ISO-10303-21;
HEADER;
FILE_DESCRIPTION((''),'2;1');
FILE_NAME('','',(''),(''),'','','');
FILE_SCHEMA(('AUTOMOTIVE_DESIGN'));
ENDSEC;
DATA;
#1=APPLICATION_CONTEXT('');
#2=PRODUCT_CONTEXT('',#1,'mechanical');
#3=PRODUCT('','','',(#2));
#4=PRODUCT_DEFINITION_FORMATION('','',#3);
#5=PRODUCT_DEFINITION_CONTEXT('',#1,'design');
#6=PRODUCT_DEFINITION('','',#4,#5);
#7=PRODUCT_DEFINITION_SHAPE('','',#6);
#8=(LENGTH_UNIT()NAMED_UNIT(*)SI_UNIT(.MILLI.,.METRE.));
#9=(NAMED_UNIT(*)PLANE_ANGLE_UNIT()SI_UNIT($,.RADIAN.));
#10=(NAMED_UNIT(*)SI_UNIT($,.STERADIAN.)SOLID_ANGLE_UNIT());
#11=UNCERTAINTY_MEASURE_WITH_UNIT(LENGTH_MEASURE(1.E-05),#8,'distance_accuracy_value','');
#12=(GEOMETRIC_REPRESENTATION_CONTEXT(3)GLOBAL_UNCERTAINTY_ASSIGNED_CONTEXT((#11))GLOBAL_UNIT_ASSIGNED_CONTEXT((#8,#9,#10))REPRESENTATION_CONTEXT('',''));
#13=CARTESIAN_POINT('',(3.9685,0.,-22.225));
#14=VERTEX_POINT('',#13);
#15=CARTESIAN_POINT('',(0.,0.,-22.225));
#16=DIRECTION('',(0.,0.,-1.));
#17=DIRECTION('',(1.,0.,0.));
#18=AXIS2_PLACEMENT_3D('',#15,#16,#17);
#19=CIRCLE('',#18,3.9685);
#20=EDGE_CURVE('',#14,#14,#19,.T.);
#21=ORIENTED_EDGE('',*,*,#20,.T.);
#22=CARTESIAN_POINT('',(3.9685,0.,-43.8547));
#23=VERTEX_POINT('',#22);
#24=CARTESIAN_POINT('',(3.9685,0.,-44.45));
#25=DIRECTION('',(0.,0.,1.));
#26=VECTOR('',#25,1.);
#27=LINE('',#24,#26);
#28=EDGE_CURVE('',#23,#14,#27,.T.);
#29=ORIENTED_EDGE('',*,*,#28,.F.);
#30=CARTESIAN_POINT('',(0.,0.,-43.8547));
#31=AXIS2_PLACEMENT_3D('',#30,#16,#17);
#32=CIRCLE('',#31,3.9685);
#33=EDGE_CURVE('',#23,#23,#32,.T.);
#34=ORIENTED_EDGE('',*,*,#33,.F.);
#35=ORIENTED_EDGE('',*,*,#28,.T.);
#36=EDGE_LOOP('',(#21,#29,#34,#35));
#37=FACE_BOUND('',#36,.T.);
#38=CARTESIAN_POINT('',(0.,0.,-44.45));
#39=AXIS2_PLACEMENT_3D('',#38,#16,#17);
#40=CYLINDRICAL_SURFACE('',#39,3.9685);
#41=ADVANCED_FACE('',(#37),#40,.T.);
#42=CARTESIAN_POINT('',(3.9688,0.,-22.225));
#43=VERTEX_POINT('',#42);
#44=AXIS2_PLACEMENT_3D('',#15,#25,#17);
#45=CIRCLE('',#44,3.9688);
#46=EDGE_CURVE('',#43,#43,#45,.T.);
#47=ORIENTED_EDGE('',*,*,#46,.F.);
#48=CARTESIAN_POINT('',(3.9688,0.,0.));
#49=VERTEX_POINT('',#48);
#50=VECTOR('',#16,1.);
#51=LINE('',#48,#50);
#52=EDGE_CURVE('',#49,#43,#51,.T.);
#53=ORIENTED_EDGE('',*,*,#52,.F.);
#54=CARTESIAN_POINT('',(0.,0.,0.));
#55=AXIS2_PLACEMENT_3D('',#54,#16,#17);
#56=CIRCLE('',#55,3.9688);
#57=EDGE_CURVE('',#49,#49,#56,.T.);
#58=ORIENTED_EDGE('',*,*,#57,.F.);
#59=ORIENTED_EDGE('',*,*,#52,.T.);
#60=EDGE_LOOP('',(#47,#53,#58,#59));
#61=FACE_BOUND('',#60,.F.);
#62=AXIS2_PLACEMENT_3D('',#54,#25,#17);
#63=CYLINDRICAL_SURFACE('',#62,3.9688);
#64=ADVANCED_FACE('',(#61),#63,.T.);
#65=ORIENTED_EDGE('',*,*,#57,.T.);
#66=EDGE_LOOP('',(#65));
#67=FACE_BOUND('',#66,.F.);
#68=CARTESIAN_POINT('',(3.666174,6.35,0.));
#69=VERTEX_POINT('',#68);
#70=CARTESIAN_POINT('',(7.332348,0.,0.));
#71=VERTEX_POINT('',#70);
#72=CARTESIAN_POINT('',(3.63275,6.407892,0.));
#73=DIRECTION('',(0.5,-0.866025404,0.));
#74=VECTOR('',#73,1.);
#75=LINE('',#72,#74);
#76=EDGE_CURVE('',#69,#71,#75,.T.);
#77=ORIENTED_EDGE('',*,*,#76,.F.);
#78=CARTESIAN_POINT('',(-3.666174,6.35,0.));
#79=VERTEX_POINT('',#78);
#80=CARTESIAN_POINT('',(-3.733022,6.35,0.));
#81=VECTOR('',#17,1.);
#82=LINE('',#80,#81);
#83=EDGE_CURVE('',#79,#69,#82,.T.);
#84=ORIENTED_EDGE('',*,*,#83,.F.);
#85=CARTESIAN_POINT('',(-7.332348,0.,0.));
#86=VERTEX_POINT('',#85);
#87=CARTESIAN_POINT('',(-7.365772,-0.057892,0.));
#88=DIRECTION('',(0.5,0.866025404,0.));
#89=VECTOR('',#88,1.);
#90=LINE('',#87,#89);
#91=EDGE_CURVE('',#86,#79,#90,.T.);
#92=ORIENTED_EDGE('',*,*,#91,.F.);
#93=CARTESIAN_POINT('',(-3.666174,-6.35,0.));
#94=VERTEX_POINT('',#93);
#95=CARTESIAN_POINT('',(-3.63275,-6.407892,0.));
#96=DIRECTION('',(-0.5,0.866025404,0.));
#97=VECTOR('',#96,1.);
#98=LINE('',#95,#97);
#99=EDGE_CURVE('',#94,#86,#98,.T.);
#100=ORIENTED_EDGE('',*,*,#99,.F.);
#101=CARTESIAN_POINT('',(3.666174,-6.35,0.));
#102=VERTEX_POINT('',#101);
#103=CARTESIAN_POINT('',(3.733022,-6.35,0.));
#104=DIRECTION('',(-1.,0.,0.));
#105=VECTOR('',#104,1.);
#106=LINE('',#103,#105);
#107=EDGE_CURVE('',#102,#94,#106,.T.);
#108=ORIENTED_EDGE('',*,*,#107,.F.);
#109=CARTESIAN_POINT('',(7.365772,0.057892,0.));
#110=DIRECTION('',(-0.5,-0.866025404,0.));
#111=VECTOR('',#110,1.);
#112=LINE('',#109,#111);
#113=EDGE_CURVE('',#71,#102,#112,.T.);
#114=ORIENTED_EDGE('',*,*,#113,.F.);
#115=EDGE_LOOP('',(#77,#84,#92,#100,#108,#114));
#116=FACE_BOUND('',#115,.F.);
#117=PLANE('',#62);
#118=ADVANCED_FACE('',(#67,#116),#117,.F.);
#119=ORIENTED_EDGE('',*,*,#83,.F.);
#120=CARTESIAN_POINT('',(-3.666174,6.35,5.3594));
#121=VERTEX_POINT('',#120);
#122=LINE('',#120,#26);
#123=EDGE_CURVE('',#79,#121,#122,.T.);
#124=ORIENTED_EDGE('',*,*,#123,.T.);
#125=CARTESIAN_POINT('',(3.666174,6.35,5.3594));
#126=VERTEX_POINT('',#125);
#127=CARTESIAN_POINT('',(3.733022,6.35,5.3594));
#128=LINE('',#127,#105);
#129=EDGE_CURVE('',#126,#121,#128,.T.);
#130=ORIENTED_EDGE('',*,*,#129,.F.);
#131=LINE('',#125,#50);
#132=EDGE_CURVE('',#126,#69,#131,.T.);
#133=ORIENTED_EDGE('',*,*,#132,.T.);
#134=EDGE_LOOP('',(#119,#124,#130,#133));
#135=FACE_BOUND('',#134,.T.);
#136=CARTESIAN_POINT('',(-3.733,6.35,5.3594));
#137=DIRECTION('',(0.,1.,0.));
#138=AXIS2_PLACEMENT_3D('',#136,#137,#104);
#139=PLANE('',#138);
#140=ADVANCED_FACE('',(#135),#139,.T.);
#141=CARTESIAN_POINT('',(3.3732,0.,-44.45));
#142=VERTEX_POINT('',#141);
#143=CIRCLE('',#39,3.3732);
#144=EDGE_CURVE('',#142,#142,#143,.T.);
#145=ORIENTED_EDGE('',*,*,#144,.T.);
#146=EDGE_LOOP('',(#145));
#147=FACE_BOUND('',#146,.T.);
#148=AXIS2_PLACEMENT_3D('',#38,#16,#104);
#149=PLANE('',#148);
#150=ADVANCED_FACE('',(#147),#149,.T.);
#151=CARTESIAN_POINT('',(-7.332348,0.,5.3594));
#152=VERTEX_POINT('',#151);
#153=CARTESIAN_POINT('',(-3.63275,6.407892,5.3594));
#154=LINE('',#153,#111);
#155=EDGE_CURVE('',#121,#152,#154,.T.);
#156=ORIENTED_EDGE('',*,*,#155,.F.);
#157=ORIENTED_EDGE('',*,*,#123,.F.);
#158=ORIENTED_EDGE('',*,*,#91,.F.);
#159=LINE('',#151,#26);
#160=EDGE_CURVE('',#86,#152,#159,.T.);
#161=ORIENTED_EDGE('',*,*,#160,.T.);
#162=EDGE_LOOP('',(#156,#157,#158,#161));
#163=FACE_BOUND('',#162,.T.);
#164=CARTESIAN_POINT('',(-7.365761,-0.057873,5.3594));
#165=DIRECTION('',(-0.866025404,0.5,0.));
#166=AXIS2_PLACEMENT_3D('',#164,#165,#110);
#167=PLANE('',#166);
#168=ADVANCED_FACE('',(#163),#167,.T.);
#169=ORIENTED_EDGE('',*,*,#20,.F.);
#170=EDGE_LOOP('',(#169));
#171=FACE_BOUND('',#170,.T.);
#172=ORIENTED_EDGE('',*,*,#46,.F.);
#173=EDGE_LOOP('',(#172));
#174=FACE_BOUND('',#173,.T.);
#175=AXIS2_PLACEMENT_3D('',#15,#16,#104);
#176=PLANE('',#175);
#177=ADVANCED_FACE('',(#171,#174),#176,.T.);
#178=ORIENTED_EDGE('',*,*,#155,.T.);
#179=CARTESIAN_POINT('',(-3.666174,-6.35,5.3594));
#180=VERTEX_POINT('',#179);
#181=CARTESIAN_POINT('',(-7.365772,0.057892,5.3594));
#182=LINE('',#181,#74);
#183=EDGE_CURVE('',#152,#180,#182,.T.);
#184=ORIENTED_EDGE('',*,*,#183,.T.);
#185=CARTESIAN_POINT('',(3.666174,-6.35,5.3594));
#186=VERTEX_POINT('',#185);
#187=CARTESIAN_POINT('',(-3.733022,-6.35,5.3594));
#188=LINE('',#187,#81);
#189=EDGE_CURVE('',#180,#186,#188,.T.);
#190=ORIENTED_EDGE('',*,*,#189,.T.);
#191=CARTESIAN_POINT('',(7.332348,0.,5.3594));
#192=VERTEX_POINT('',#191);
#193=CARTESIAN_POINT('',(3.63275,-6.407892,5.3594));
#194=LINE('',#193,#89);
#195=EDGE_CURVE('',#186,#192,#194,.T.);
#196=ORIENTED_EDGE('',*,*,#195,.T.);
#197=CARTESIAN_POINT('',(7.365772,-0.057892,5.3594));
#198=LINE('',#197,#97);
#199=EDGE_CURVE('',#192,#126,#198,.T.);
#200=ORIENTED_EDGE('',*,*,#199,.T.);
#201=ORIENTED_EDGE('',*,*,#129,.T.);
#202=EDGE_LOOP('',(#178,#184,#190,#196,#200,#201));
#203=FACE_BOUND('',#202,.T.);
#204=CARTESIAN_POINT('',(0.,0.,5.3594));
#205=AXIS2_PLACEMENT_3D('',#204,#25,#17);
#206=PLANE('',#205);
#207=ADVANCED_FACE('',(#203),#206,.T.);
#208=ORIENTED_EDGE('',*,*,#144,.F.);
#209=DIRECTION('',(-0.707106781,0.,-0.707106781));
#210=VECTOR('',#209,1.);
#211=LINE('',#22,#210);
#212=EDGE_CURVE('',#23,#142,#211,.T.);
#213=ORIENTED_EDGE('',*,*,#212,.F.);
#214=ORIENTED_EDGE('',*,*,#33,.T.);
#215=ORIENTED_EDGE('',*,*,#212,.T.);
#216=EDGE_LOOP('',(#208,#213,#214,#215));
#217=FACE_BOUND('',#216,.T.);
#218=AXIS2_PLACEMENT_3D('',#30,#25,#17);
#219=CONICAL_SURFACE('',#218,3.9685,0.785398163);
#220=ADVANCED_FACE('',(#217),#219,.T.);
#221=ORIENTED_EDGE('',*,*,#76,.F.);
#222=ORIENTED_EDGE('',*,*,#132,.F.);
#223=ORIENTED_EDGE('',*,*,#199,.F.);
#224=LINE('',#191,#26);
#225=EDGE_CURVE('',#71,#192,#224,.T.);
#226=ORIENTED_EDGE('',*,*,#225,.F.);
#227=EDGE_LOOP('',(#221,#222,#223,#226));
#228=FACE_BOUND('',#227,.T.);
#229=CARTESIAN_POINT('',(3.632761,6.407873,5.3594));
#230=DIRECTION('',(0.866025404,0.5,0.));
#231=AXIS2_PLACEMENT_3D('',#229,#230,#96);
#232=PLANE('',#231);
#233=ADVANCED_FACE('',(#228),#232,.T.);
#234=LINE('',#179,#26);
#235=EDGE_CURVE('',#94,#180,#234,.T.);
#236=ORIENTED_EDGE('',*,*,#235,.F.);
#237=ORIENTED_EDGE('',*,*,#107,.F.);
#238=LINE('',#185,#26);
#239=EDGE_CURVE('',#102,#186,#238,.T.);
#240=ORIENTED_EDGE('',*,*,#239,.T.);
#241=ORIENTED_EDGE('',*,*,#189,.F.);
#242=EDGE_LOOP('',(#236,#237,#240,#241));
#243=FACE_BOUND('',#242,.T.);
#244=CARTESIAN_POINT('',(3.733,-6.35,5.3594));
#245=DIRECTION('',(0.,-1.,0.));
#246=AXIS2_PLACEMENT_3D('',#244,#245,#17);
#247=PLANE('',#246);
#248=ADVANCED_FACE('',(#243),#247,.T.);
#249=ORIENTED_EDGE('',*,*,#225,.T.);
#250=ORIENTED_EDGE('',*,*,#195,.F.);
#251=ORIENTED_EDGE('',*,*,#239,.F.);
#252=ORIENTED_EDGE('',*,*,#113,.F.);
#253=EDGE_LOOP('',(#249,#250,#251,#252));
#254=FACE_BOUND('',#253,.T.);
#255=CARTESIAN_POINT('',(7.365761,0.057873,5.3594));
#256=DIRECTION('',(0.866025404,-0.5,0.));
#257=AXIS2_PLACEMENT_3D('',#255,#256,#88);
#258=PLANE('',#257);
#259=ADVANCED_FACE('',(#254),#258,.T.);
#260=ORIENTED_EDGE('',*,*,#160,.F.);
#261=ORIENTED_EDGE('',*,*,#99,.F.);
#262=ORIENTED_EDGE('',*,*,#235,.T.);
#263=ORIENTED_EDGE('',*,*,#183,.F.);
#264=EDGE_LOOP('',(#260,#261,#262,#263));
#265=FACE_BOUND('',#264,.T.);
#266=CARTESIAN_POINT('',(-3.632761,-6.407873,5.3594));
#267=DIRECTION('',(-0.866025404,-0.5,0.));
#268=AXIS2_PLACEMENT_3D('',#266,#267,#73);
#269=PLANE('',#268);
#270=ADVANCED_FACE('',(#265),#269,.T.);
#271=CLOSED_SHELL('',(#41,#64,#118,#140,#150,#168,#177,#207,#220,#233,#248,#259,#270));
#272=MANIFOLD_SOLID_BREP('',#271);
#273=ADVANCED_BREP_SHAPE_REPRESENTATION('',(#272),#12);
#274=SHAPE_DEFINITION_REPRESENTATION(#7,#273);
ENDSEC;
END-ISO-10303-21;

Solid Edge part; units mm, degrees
sketch "Sketch1" plane through (0, 0, 0) normal (0, 0, 1) x (1, 0, 0)
  circle A0 centre (0, 0) radius 7.366
  dimension "D1" = 14.732
extrude "Protrusion1" add sketch "Sketch1" along normal blind 5.3594
sketch "Sketch2" plane through (0, 0, 0) normal (0, 0, -1) x (1, 0, 0)
  circle A0 centre (0, 0) radius 3.9688
extrude "Protrusion2" add sketch "Sketch2" along normal blind 44.45
sketch "Sketch3" plane through (0, 0, -44.45) normal (0, 0, -1) x (1, 0, 0)
  circle A0 centre (0, 0) radius 3.9685
extrude "Cutout1" cut sketch "Sketch3" against normal blind 22.225 flip side to cut
chamfer "Chamfer_1" distance 0.5953 angle 45 1 edges at (-3.9685, 0, -44.45)
sketch "Sketch4" plane through (0, 0, 5.3594) normal (0, 0, 1) x (1, 0, 0)
  line L0 (-3.733, 6.35) -> (3.733, 6.35)
  dimension "D1" = 12.7
extrude "Cutout2" cut sketch "Sketch4" against normal up to next material side at (0, 6.4, 5.3594)
pattern_circular "Pattern1" count 6 over 360 about axis through (0, 0, 5.3594) along (0, 0, 1) of "Cutout2"
properties part number "24100070"
